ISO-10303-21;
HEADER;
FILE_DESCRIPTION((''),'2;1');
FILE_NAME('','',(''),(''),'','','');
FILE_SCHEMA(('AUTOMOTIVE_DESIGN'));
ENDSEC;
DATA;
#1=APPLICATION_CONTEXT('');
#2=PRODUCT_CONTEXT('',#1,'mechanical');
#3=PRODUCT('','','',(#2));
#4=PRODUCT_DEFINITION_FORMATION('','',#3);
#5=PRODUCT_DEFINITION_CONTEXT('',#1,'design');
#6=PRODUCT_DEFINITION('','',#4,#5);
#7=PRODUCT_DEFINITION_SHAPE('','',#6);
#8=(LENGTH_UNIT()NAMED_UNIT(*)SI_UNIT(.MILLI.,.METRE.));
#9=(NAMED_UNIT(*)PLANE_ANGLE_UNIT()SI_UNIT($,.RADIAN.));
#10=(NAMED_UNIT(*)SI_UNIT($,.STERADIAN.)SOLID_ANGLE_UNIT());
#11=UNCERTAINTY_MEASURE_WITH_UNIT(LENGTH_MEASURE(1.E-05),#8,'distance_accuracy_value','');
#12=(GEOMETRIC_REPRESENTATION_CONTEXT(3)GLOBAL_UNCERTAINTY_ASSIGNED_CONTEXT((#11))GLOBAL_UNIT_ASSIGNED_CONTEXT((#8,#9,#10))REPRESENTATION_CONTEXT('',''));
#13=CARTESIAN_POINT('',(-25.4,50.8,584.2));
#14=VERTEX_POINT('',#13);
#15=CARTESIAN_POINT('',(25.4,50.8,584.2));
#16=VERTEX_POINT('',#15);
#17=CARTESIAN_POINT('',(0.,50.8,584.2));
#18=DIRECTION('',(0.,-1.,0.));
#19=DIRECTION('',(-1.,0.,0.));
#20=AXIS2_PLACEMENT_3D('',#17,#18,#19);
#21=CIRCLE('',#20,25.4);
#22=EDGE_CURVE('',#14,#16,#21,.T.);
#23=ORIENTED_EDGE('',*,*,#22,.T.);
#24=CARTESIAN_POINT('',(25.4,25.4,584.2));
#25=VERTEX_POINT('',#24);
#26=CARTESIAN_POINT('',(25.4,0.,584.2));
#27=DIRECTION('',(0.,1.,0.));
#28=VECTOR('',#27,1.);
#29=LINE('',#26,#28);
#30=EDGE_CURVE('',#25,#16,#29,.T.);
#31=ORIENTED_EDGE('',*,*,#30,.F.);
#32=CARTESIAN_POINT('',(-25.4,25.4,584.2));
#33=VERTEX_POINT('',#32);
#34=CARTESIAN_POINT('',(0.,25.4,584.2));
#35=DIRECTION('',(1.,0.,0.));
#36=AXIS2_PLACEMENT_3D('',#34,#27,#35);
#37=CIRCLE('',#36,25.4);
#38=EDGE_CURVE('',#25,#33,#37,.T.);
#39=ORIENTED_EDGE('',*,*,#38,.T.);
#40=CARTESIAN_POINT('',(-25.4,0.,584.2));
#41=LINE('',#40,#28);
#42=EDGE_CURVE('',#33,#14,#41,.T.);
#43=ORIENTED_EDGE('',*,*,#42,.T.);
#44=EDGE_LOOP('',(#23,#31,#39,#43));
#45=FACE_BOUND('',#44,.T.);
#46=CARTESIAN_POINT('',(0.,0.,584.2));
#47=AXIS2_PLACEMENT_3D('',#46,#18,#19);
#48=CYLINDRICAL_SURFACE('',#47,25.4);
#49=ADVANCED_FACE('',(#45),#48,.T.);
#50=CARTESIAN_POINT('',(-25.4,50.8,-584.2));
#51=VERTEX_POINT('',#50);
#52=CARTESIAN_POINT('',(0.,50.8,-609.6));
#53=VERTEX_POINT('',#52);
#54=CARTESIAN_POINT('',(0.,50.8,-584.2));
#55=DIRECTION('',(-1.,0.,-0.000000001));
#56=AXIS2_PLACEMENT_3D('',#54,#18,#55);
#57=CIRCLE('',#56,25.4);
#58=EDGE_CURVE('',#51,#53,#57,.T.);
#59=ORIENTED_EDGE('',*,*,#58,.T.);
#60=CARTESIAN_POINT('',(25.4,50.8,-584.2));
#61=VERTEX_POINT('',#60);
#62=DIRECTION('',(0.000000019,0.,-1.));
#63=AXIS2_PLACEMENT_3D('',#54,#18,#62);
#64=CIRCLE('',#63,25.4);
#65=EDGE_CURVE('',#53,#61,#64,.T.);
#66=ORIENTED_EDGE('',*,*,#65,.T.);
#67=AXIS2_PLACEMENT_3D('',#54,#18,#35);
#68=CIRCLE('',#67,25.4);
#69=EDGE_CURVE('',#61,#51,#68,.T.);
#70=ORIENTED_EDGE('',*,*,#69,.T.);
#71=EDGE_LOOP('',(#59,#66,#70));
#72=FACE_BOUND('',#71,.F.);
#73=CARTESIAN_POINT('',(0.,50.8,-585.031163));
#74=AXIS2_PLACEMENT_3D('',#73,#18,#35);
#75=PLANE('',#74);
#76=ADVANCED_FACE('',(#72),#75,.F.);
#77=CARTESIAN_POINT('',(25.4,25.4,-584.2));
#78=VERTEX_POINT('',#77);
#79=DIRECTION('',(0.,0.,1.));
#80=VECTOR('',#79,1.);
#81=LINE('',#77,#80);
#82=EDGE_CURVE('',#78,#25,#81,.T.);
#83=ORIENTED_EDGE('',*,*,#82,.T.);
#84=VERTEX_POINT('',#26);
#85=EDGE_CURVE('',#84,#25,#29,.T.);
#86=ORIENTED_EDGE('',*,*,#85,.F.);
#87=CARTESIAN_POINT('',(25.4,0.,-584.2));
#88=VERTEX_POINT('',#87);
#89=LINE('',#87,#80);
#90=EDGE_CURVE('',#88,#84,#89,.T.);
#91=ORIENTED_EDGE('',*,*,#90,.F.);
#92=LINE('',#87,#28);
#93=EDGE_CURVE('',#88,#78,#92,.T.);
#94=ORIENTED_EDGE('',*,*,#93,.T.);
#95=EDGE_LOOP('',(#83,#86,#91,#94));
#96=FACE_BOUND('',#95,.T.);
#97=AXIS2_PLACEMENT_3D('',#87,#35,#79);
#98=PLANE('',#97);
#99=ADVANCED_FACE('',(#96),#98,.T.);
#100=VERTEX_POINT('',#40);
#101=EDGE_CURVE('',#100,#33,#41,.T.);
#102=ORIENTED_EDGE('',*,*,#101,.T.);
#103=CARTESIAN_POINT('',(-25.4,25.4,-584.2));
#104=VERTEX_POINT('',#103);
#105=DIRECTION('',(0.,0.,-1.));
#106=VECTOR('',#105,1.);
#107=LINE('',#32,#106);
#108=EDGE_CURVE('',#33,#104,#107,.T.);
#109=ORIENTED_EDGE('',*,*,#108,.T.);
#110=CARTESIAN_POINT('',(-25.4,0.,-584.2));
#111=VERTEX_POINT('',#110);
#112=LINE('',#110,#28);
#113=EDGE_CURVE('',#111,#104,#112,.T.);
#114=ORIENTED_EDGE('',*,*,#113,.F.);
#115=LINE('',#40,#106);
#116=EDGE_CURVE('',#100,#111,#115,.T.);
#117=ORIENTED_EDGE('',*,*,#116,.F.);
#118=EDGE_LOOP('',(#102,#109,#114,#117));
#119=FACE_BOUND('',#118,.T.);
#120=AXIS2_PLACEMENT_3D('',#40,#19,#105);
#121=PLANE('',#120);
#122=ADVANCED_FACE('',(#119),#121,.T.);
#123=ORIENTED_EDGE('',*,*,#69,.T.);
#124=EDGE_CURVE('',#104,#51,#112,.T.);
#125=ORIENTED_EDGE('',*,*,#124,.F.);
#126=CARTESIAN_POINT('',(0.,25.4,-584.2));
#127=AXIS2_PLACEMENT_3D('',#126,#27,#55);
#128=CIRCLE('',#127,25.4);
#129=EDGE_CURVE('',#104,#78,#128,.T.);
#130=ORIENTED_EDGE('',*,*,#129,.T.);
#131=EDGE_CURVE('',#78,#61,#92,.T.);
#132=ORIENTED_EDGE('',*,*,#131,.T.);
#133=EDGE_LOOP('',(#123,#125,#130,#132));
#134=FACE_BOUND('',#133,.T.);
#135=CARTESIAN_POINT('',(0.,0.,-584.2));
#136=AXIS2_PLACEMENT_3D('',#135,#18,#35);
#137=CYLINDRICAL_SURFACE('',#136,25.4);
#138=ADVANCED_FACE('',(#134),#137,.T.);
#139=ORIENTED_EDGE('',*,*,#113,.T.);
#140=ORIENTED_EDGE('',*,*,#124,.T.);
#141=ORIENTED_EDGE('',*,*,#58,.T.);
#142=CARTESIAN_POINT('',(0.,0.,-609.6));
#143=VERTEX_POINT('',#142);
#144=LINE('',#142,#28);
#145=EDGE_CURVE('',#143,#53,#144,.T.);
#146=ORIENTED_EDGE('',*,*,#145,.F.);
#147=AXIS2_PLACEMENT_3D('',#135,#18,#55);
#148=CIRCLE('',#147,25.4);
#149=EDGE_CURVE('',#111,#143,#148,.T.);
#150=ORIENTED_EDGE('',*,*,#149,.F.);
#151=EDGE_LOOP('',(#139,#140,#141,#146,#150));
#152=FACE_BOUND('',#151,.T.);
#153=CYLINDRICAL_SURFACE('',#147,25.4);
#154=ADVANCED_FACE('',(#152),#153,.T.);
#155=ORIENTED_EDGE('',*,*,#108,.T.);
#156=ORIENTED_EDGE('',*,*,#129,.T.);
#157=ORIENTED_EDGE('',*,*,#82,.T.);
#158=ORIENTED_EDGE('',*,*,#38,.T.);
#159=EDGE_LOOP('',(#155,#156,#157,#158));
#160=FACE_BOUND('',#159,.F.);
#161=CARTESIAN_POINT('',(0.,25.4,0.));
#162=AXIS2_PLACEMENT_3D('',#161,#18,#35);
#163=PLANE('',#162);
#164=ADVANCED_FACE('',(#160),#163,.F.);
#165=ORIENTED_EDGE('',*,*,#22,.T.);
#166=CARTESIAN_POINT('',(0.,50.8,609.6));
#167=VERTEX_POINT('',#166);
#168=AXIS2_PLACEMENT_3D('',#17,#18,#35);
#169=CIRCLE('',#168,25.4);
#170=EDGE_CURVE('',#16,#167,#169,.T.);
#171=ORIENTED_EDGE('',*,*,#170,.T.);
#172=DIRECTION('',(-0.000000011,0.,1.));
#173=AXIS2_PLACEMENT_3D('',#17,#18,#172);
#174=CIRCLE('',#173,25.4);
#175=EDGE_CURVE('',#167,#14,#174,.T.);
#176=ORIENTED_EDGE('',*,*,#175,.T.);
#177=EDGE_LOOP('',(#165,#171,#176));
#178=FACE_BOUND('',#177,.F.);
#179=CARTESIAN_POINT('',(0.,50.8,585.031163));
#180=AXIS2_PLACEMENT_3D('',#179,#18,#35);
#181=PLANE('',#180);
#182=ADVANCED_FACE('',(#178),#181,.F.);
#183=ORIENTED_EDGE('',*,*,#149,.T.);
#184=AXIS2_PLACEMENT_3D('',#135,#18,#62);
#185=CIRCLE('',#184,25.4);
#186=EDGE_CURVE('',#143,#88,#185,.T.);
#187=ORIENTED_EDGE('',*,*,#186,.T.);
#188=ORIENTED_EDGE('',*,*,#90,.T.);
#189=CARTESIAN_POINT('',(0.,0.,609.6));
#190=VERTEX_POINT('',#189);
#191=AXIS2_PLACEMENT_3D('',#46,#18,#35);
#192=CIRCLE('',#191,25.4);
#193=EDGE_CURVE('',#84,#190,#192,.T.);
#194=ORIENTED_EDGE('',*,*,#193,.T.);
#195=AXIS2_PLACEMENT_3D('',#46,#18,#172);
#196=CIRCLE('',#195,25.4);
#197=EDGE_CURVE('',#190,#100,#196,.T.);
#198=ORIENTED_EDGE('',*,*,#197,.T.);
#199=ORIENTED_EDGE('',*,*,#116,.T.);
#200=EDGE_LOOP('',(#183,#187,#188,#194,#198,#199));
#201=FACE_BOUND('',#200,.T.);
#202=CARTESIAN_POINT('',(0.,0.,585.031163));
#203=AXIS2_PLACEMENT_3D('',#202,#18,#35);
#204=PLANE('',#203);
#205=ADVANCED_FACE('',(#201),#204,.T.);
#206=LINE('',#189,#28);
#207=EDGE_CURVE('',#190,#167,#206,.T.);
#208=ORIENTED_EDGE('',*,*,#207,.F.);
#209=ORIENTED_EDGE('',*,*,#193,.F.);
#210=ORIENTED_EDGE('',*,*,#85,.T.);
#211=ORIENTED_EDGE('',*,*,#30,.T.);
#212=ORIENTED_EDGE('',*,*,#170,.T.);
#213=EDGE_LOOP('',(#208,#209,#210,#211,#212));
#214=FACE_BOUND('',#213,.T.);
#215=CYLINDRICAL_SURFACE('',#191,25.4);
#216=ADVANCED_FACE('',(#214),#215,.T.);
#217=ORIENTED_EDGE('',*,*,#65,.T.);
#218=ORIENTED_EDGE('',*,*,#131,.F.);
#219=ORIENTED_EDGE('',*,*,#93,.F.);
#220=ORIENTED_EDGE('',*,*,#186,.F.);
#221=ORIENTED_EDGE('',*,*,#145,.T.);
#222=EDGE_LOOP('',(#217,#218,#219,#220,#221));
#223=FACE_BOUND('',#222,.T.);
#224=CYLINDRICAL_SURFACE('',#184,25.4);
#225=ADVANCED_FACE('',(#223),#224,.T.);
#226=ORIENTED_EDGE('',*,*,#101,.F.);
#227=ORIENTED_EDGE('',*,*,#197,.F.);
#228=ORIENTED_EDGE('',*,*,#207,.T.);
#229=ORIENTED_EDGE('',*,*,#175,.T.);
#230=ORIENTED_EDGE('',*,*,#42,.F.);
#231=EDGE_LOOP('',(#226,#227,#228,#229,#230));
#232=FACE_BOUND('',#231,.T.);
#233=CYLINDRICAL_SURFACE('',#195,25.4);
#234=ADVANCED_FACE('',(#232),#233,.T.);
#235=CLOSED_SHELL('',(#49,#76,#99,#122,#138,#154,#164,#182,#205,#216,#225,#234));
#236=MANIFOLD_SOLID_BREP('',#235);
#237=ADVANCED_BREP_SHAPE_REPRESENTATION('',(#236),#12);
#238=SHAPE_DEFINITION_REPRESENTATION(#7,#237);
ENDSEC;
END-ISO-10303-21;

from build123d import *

# Parameters (mm, degrees)
F1_DEPTH = 25.4
F2_DEPTH = 50.8


with BuildPart() as f1:
    # F0 (on Front) → F1 (new body)
    with BuildSketch(Plane.XZ):
        with BuildLine():
            Line((25.4, -584.2), (25.4, 584.2))
            ThreePointArc((25.4, 584.2), (0, 558.8), (-25.4, 584.2))
            Line((-25.4, 584.2), (-25.4, -584.2000000301))
            ThreePointArc((-25.4, -584.2000000301), (-1.51e-08, -558.8), (25.4, -584.2))
        make_face()
    extrude(amount=-F1_DEPTH)

    # F0 (on Front) → F2 (join)
    with BuildSketch(Plane.XZ):
        with BuildLine():
            ThreePointArc((25.4, 584.2), (17.9605121413, 602.160512343), (-2.853e-07, 609.6))
            ThreePointArc((-2.853e-07, 609.6), (-17.960512343, 602.1605121413), (-25.4, 584.2))
            ThreePointArc((-25.4, 584.2), (0, 558.8), (25.4, 584.2))
        make_face()
        with BuildLine():
            ThreePointArc((4.74e-07, -609.6), (17.9605124097, -602.1605120745), (25.4, -584.2))
            ThreePointArc((25.4, -584.2), (-1.51e-08, -558.8), (-25.4, -584.2000000301))
            ThreePointArc((-25.4, -584.2000000301), (-17.9605120639, -602.1605124204), (4.74e-07, -609.6))
        make_face()
    extrude(amount=-F2_DEPTH)


solid = f1.part
